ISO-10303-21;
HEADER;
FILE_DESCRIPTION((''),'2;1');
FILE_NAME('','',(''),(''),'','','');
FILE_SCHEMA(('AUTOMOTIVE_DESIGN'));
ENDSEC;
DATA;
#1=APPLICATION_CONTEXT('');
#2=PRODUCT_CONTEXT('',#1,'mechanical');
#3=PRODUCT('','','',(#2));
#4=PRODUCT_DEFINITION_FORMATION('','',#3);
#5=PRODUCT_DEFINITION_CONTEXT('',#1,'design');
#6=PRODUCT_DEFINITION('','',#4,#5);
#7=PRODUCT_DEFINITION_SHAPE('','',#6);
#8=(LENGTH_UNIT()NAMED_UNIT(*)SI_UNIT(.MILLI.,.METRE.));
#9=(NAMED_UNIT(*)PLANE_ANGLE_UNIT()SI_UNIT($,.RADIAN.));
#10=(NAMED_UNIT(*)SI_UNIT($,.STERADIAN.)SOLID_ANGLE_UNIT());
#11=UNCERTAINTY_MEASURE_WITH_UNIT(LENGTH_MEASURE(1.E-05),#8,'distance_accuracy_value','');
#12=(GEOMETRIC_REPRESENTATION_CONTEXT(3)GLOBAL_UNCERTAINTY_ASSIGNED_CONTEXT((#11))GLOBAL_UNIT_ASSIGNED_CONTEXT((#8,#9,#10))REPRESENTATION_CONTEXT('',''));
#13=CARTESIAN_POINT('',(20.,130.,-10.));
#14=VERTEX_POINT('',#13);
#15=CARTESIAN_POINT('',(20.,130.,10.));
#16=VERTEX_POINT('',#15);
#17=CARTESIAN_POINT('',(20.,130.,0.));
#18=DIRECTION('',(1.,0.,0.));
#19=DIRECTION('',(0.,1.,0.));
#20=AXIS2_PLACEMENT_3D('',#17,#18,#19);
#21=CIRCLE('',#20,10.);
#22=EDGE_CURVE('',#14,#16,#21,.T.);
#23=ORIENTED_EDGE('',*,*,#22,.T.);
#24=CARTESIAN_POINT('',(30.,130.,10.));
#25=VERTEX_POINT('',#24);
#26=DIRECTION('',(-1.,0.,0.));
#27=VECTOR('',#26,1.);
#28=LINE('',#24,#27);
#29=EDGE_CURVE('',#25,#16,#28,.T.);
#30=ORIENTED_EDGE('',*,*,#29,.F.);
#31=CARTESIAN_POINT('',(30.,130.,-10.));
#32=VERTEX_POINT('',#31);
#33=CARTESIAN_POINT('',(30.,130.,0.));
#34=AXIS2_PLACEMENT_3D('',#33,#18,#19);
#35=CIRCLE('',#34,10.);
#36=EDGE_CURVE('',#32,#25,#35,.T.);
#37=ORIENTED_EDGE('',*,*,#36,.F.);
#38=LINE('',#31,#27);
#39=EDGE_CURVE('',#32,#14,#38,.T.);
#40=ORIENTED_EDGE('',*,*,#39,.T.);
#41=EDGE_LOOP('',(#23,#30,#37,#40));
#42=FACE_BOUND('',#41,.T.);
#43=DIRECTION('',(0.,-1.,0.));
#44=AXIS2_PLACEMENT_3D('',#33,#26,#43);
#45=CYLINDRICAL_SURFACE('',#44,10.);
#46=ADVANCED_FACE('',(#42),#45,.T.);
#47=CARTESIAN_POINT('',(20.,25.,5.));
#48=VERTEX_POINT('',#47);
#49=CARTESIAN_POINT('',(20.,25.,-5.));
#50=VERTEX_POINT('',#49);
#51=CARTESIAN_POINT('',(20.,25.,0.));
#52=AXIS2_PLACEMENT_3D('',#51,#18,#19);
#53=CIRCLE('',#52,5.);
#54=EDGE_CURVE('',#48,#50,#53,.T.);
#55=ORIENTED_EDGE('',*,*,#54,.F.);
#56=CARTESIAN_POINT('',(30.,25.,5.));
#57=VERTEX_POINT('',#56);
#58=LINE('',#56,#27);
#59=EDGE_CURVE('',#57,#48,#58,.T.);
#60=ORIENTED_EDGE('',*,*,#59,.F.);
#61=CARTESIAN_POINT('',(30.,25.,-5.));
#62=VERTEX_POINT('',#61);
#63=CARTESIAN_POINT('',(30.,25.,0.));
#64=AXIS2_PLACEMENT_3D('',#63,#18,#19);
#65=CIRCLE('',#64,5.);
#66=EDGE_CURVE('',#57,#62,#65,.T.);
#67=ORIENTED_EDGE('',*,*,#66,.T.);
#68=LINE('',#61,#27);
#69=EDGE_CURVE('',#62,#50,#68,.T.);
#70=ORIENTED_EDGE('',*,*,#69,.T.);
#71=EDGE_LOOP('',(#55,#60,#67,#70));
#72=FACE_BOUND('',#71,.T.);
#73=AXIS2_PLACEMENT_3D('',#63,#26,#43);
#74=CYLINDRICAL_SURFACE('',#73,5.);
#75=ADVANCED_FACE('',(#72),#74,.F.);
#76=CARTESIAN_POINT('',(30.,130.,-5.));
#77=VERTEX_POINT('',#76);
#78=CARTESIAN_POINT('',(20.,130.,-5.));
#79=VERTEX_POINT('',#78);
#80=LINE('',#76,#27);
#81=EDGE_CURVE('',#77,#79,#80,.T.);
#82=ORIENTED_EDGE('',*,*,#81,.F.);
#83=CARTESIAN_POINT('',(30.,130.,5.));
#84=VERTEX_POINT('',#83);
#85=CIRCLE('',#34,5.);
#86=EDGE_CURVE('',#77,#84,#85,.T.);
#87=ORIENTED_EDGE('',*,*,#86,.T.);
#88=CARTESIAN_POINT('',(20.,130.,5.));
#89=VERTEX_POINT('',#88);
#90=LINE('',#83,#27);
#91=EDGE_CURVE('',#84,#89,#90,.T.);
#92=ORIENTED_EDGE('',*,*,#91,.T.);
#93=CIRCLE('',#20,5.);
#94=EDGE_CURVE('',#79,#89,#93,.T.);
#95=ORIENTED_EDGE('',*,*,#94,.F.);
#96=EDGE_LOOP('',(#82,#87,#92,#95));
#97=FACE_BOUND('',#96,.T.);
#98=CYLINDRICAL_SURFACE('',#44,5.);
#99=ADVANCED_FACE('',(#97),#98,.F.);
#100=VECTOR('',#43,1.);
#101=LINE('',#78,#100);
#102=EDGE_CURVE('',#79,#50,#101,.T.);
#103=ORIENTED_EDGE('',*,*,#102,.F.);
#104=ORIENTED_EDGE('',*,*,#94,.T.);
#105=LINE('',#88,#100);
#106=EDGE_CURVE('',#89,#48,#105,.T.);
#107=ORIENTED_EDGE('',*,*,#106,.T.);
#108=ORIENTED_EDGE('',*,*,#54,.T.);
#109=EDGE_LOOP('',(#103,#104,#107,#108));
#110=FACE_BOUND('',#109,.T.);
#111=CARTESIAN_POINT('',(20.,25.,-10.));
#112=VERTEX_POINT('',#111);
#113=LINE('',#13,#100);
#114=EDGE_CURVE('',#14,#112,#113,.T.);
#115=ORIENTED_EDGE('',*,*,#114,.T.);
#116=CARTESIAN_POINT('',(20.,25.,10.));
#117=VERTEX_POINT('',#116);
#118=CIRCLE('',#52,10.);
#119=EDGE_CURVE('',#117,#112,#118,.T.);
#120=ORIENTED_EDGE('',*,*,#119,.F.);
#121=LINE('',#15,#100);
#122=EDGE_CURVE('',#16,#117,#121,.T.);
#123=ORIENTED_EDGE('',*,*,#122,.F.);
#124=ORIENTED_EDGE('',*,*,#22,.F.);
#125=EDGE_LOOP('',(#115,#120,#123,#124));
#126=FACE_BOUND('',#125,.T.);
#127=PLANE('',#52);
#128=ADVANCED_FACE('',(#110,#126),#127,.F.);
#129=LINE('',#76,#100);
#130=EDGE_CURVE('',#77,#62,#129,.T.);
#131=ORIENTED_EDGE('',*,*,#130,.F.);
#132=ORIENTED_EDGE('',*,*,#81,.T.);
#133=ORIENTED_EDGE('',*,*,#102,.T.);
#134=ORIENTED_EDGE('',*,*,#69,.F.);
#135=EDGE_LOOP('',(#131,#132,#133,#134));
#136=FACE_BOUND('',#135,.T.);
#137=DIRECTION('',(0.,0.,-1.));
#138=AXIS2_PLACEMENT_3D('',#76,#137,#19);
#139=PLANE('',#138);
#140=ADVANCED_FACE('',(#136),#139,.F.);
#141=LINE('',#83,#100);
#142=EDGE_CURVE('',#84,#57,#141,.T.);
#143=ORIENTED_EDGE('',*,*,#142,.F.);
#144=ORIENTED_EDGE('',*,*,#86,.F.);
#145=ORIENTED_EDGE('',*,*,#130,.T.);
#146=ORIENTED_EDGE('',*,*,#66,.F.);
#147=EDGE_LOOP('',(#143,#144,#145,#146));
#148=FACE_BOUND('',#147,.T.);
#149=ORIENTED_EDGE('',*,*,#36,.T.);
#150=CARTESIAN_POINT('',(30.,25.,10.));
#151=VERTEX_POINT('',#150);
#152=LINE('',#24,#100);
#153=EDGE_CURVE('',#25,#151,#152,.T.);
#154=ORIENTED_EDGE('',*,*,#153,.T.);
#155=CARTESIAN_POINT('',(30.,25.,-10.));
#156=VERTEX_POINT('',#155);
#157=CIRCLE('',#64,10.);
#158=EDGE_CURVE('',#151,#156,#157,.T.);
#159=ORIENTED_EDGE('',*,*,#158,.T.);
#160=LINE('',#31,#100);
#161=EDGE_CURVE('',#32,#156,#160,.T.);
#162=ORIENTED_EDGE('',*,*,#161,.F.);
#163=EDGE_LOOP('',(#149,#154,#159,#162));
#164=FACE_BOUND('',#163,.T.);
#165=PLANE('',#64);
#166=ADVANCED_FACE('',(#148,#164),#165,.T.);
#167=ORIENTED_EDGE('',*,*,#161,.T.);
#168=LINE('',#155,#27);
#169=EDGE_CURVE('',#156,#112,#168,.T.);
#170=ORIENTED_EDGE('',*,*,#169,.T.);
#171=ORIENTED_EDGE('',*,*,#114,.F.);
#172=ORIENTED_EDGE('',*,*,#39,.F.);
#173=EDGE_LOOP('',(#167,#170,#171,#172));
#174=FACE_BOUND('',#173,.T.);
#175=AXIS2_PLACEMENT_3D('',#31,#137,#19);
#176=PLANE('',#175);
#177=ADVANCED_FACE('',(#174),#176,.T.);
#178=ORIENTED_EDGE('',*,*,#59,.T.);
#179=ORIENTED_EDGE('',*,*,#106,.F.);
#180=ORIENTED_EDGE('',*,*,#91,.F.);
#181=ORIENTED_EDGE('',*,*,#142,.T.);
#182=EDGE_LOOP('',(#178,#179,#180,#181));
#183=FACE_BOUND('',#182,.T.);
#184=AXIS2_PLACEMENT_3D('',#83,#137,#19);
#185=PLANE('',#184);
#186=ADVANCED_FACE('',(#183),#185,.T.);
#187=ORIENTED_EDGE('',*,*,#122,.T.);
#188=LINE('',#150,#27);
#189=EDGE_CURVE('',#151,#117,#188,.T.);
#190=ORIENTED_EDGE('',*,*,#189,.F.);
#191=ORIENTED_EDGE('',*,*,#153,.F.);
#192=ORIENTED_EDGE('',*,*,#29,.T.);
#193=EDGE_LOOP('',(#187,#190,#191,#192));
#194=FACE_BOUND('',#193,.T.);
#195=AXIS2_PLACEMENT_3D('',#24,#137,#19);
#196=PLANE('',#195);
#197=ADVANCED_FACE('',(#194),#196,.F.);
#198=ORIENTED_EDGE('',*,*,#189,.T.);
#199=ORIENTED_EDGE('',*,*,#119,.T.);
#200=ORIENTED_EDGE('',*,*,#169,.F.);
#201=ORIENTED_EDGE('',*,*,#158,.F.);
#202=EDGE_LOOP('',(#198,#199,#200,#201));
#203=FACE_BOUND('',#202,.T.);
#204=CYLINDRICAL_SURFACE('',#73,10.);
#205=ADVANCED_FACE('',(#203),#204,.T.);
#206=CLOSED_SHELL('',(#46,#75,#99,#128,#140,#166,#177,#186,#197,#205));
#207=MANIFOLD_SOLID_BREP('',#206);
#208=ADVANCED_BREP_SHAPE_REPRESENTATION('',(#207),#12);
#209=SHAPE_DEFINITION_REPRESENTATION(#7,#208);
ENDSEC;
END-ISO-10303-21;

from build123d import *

# Parameters (mm, degrees)
BOSS_EXTRUDE2_DEPTH = 10


with BuildPart() as part:
    # Sketch2 → Boss-Extrude2 (new body)
    with BuildSketch(Plane(origin=(20, 0, 0), x_dir=(0, 0, -1), z_dir=(1, 0, 0))):
        with BuildLine():
            Line((10, 130), (10, 25))
            ThreePointArc((10, 25), (0, 15), (-10, 25))
            Line((-10, 25), (-10, 130))
            ThreePointArc((-10, 130), (0, 140), (10, 130))
        make_face()
        with BuildLine():
            Line((5, 130), (5, 25))
            ThreePointArc((5, 25), (0, 20), (-5, 25))
            Line((-5, 25), (-5, 130))
            ThreePointArc((-5, 130), (0, 135), (5, 130))
        make_face(mode=Mode.SUBTRACT)
    extrude(amount=BOSS_EXTRUDE2_DEPTH)


solid = part.part
